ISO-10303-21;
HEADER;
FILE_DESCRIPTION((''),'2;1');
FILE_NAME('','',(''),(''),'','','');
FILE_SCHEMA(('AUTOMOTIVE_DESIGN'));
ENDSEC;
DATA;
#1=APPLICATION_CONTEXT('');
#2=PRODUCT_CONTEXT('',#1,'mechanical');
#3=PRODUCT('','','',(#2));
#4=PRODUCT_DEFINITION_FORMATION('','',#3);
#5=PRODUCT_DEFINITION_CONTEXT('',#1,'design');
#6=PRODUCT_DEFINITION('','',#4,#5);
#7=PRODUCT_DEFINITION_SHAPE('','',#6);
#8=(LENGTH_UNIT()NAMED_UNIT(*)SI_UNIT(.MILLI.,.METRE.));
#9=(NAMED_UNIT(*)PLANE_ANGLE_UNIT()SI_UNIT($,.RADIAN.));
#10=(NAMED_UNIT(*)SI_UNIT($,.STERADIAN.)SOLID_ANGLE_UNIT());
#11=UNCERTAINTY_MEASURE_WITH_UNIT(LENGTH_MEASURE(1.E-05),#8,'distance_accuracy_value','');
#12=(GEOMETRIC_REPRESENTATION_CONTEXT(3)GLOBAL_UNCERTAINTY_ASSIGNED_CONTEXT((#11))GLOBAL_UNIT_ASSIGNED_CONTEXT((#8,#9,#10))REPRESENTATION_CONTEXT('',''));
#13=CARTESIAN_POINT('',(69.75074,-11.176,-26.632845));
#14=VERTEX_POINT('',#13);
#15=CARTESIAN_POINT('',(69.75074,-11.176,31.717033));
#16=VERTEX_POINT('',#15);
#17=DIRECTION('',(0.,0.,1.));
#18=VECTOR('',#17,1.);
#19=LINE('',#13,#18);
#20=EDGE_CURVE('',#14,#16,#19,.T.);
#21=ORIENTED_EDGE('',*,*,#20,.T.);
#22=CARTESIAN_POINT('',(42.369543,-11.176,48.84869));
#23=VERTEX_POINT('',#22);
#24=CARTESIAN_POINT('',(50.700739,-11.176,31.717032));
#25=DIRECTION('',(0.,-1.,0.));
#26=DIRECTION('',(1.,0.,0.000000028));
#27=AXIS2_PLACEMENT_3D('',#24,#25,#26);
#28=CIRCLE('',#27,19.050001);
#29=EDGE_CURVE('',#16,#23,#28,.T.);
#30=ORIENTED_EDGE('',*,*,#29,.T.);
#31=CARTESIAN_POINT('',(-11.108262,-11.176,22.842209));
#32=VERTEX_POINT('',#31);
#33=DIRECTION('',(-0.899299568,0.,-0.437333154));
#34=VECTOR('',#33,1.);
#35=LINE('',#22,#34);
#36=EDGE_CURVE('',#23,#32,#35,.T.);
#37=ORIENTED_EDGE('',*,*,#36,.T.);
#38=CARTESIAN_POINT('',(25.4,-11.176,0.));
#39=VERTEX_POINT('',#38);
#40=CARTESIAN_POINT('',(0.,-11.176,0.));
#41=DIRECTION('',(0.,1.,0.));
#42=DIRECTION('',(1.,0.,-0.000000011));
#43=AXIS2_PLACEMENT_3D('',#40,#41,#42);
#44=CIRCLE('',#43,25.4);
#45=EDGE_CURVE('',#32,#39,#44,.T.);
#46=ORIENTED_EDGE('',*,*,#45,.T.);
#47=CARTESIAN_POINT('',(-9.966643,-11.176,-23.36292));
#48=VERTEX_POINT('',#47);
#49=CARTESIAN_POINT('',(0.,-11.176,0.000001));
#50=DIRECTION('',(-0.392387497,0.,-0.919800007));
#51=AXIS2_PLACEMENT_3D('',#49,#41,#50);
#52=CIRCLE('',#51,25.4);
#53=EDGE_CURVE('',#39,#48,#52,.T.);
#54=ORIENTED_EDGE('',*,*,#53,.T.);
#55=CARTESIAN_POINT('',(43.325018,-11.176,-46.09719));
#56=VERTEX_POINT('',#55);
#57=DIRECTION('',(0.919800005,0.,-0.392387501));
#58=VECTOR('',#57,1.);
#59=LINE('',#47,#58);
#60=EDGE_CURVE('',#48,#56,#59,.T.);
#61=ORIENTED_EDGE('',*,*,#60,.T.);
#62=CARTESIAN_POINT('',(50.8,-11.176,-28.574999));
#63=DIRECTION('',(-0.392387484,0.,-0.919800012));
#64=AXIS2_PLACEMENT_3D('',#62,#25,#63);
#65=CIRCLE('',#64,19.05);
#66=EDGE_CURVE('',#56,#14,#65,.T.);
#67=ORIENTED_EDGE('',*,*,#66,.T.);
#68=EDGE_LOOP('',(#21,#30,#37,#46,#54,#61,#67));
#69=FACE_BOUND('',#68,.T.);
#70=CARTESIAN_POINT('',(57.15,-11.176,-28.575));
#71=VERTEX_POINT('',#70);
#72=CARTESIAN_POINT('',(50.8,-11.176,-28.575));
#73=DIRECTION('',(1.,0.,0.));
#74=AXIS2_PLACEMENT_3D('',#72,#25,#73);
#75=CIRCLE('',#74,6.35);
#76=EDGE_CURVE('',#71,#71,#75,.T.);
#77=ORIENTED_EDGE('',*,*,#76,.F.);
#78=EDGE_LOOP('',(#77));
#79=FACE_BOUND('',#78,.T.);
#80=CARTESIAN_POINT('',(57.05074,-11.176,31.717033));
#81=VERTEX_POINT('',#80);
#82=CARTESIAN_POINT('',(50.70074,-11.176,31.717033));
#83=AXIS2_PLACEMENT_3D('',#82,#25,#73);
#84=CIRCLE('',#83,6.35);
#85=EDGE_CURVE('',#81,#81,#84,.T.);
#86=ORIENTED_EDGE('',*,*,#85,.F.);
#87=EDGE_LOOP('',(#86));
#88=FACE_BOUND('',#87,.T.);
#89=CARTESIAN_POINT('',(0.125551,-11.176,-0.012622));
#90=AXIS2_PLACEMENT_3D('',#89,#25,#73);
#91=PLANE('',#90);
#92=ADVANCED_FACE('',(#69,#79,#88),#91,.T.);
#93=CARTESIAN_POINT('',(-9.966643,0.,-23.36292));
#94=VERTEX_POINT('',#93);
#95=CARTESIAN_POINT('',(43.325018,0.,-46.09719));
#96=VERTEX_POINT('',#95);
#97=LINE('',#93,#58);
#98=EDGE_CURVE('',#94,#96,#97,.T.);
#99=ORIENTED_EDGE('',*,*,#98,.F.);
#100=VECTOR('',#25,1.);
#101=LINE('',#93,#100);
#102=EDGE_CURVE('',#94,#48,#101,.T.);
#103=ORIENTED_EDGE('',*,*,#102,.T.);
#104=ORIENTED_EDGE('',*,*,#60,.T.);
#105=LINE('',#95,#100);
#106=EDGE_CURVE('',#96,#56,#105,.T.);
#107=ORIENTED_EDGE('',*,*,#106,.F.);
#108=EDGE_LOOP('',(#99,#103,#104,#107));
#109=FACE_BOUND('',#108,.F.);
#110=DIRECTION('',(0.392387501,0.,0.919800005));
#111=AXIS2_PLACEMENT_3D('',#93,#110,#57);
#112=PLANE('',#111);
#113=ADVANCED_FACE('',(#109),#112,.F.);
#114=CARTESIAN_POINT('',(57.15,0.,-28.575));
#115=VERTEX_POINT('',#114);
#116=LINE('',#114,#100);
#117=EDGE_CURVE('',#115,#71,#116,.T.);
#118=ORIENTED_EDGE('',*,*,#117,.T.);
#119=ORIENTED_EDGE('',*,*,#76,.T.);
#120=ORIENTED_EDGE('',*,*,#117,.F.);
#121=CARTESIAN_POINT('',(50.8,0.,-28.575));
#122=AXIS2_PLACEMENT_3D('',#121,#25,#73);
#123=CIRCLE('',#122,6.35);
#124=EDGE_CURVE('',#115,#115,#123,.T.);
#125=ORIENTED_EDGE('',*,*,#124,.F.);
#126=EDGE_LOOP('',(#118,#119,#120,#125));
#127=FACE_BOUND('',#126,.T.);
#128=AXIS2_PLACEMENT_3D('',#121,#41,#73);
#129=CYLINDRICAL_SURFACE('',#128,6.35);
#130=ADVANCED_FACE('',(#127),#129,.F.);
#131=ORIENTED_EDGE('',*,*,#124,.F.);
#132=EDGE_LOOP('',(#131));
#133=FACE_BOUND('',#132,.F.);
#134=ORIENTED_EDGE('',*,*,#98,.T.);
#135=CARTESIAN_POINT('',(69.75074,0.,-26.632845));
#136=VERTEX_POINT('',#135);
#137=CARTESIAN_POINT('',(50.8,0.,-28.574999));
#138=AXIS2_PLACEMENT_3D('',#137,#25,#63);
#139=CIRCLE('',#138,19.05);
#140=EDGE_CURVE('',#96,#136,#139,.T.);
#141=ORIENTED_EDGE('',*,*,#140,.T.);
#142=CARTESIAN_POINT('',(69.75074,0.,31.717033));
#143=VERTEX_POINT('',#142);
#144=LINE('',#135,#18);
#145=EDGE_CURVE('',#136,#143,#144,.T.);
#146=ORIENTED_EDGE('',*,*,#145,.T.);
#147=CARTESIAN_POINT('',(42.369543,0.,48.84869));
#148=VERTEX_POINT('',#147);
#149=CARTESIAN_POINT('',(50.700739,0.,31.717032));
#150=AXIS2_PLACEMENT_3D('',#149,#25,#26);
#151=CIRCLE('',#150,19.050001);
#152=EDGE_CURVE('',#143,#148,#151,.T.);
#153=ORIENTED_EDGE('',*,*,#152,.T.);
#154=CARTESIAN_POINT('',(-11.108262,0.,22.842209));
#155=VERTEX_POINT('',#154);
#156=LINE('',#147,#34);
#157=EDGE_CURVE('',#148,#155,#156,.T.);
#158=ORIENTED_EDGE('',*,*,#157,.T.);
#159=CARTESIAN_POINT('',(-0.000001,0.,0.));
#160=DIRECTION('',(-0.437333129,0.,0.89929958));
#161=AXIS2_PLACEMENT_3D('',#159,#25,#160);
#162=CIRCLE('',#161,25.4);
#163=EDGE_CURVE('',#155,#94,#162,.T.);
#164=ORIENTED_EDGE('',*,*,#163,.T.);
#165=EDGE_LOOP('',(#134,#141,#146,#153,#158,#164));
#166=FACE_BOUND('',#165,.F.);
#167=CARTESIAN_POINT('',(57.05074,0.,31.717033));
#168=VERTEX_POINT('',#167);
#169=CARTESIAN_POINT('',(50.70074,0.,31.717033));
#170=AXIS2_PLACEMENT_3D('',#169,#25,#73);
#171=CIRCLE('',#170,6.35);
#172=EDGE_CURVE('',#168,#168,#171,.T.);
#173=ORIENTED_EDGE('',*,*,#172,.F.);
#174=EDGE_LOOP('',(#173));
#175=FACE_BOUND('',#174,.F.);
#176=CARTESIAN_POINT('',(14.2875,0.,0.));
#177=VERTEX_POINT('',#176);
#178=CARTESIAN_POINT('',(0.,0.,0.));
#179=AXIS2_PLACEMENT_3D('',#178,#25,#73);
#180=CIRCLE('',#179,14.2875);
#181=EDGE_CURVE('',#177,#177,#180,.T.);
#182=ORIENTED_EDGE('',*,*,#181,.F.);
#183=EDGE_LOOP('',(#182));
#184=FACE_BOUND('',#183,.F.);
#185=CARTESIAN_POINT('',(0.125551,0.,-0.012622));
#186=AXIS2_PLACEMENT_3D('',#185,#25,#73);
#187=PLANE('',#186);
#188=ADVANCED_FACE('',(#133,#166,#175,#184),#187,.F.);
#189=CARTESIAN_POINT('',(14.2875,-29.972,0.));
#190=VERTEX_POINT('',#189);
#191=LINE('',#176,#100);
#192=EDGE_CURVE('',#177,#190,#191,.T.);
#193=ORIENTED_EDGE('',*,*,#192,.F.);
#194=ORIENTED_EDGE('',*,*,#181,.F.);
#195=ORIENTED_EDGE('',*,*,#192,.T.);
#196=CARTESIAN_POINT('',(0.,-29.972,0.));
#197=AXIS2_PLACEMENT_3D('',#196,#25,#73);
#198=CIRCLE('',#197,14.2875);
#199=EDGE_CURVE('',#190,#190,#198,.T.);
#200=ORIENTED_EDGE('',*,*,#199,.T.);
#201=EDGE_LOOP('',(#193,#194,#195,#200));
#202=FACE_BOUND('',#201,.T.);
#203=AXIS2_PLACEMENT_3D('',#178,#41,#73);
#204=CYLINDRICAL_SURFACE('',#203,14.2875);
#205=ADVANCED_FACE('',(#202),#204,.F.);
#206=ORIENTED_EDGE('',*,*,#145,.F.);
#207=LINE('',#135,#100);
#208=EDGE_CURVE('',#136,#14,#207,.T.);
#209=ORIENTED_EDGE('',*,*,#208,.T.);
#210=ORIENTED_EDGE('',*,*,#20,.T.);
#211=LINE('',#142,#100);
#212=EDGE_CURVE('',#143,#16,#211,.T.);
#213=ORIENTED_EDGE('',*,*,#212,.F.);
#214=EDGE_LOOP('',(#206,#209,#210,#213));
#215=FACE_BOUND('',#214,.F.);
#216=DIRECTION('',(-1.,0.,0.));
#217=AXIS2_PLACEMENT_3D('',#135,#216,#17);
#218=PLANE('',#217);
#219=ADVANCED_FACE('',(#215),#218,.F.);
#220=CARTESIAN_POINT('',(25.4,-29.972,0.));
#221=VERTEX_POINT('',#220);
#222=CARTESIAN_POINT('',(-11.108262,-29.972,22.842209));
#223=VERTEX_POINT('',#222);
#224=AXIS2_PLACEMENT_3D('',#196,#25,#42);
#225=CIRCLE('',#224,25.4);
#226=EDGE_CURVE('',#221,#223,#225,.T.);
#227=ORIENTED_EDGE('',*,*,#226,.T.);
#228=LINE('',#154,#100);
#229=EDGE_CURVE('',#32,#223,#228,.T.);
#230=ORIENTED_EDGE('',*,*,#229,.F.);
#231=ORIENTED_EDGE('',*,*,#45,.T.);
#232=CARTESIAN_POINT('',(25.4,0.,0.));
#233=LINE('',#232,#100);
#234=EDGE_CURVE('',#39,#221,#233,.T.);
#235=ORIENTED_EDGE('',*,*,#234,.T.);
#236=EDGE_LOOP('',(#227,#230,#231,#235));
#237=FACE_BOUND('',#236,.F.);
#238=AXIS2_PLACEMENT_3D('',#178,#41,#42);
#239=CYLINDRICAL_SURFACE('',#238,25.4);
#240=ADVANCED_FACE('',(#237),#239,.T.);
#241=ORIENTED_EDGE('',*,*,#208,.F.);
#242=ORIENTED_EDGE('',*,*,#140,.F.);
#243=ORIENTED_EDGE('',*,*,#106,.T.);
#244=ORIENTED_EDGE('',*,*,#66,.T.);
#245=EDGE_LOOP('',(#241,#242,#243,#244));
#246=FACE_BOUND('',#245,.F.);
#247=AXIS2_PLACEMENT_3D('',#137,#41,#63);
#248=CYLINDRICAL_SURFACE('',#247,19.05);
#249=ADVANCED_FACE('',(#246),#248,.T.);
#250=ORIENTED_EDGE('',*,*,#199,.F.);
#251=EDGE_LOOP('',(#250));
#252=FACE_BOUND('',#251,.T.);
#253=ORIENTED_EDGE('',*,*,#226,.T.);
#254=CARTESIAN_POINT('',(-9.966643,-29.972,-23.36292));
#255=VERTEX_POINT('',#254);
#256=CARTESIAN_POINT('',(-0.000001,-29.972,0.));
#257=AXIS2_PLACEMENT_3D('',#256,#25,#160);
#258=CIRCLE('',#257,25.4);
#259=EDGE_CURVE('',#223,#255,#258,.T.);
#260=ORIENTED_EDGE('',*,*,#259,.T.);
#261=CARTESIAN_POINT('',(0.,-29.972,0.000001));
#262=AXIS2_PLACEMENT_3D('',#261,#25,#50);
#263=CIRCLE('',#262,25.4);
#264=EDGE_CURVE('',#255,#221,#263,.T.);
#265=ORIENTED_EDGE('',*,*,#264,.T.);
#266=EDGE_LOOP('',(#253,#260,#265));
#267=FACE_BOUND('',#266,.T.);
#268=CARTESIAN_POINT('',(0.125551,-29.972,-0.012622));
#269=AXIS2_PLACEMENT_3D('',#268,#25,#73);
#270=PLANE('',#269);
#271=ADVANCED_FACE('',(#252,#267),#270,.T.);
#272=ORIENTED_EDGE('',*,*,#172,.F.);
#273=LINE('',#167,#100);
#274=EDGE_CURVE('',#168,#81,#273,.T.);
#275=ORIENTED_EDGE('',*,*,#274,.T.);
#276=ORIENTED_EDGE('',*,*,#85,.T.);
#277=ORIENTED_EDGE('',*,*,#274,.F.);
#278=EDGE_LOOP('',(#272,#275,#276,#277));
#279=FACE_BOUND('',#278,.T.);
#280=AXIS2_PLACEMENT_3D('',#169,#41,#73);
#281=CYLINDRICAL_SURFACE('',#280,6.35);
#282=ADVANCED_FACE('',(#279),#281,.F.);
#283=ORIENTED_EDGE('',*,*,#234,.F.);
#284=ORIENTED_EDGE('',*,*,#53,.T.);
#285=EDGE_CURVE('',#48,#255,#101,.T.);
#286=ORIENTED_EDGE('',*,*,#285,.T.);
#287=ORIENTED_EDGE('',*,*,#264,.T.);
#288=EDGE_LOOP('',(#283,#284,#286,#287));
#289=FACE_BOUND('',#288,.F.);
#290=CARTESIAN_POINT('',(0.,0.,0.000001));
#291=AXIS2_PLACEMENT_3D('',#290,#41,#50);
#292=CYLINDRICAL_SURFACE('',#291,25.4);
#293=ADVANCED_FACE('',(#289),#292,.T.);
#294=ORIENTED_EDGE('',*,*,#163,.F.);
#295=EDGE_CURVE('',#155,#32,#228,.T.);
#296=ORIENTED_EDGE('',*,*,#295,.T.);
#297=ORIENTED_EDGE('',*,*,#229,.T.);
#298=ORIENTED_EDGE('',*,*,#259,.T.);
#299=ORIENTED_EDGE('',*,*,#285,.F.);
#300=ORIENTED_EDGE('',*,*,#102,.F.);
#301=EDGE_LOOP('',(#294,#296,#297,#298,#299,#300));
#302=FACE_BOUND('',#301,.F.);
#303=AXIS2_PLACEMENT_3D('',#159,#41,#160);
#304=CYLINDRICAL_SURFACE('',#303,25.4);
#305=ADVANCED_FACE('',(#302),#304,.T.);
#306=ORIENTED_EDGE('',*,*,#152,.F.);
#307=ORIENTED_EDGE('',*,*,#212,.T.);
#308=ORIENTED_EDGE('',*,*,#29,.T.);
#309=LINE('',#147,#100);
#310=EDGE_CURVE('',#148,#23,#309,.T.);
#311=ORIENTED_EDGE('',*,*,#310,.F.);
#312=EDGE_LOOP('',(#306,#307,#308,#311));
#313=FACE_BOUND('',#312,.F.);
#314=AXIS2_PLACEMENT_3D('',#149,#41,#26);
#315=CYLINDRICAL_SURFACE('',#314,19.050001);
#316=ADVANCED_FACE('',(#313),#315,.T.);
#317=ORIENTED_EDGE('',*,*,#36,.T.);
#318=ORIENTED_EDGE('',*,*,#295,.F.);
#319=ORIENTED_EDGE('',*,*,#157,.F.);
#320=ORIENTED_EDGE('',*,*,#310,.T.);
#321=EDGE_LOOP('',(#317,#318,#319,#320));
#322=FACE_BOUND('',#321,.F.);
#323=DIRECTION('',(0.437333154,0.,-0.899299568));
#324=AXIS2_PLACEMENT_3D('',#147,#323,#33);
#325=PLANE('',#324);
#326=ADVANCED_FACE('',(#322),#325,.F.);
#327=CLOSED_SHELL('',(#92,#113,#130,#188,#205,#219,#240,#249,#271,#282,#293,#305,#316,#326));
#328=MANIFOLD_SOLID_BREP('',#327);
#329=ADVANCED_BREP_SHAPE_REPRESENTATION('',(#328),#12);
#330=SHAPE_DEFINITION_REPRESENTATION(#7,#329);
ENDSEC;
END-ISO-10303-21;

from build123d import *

# Parameters (mm, degrees)
F0_R     = 14.2875
F0_R_2   = 6.35
F1_DEPTH = 11.176
F2_DEPTH = 29.972


with BuildPart() as f1:
    # F0 (on Front) → F1 (new body)
    with BuildSketch(Plane.XZ):
        with BuildLine():
            ThreePointArc((-9.966643, -23.36292), (14.00013, -21.193309), (25.4, 0))
            ThreePointArc((25.4, 0), (13.472382, 21.532648), (-11.108262, 22.842209))
            ThreePointArc((-11.108262, 22.842209), (-25.392251, -0.627382), (-9.966643, -23.36292))
        make_face()
        Circle(F0_R, mode=Mode.SUBTRACT)
        with BuildLine():
            ThreePointArc((-11.108262, 22.842209), (13.472382, 21.532648), (25.4, 0))
            ThreePointArc((25.4, 0), (14.00013, -21.193309), (-9.966643, -23.36292))
            Line((-9.966643, -23.36292), (43.325018, -46.09719))
            ThreePointArc((43.325018, -46.09719), (62.097718, -43.91332), (69.75074, -26.632845))
            Line((69.75074, -26.632845), (69.75074, 31.717033))
            ThreePointArc((69.75074, 31.717033), (60.805026, 47.866519), (42.369543, 48.84869))
            Line((42.369543, 48.84869), (-11.108262, 22.842209))
        make_face()
        with Locations((50.8, -28.575)):
            Circle(F0_R_2, mode=Mode.SUBTRACT)
        with Locations((50.70074, 31.717033)):
            Circle(F0_R_2, mode=Mode.SUBTRACT)
    extrude(amount=F1_DEPTH)

    # F0 (on Front) → F2 (join)
    with BuildSketch(Plane.XZ):
        with BuildLine():
            ThreePointArc((-9.966643, -23.36292), (14.00013, -21.193309), (25.4, 0))
            ThreePointArc((25.4, 0), (13.472382, 21.532648), (-11.108262, 22.842209))
            ThreePointArc((-11.108262, 22.842209), (-25.392251, -0.627382), (-9.966643, -23.36292))
        make_face()
        Circle(F0_R, mode=Mode.SUBTRACT)
    extrude(amount=F2_DEPTH)


solid = f1.part
